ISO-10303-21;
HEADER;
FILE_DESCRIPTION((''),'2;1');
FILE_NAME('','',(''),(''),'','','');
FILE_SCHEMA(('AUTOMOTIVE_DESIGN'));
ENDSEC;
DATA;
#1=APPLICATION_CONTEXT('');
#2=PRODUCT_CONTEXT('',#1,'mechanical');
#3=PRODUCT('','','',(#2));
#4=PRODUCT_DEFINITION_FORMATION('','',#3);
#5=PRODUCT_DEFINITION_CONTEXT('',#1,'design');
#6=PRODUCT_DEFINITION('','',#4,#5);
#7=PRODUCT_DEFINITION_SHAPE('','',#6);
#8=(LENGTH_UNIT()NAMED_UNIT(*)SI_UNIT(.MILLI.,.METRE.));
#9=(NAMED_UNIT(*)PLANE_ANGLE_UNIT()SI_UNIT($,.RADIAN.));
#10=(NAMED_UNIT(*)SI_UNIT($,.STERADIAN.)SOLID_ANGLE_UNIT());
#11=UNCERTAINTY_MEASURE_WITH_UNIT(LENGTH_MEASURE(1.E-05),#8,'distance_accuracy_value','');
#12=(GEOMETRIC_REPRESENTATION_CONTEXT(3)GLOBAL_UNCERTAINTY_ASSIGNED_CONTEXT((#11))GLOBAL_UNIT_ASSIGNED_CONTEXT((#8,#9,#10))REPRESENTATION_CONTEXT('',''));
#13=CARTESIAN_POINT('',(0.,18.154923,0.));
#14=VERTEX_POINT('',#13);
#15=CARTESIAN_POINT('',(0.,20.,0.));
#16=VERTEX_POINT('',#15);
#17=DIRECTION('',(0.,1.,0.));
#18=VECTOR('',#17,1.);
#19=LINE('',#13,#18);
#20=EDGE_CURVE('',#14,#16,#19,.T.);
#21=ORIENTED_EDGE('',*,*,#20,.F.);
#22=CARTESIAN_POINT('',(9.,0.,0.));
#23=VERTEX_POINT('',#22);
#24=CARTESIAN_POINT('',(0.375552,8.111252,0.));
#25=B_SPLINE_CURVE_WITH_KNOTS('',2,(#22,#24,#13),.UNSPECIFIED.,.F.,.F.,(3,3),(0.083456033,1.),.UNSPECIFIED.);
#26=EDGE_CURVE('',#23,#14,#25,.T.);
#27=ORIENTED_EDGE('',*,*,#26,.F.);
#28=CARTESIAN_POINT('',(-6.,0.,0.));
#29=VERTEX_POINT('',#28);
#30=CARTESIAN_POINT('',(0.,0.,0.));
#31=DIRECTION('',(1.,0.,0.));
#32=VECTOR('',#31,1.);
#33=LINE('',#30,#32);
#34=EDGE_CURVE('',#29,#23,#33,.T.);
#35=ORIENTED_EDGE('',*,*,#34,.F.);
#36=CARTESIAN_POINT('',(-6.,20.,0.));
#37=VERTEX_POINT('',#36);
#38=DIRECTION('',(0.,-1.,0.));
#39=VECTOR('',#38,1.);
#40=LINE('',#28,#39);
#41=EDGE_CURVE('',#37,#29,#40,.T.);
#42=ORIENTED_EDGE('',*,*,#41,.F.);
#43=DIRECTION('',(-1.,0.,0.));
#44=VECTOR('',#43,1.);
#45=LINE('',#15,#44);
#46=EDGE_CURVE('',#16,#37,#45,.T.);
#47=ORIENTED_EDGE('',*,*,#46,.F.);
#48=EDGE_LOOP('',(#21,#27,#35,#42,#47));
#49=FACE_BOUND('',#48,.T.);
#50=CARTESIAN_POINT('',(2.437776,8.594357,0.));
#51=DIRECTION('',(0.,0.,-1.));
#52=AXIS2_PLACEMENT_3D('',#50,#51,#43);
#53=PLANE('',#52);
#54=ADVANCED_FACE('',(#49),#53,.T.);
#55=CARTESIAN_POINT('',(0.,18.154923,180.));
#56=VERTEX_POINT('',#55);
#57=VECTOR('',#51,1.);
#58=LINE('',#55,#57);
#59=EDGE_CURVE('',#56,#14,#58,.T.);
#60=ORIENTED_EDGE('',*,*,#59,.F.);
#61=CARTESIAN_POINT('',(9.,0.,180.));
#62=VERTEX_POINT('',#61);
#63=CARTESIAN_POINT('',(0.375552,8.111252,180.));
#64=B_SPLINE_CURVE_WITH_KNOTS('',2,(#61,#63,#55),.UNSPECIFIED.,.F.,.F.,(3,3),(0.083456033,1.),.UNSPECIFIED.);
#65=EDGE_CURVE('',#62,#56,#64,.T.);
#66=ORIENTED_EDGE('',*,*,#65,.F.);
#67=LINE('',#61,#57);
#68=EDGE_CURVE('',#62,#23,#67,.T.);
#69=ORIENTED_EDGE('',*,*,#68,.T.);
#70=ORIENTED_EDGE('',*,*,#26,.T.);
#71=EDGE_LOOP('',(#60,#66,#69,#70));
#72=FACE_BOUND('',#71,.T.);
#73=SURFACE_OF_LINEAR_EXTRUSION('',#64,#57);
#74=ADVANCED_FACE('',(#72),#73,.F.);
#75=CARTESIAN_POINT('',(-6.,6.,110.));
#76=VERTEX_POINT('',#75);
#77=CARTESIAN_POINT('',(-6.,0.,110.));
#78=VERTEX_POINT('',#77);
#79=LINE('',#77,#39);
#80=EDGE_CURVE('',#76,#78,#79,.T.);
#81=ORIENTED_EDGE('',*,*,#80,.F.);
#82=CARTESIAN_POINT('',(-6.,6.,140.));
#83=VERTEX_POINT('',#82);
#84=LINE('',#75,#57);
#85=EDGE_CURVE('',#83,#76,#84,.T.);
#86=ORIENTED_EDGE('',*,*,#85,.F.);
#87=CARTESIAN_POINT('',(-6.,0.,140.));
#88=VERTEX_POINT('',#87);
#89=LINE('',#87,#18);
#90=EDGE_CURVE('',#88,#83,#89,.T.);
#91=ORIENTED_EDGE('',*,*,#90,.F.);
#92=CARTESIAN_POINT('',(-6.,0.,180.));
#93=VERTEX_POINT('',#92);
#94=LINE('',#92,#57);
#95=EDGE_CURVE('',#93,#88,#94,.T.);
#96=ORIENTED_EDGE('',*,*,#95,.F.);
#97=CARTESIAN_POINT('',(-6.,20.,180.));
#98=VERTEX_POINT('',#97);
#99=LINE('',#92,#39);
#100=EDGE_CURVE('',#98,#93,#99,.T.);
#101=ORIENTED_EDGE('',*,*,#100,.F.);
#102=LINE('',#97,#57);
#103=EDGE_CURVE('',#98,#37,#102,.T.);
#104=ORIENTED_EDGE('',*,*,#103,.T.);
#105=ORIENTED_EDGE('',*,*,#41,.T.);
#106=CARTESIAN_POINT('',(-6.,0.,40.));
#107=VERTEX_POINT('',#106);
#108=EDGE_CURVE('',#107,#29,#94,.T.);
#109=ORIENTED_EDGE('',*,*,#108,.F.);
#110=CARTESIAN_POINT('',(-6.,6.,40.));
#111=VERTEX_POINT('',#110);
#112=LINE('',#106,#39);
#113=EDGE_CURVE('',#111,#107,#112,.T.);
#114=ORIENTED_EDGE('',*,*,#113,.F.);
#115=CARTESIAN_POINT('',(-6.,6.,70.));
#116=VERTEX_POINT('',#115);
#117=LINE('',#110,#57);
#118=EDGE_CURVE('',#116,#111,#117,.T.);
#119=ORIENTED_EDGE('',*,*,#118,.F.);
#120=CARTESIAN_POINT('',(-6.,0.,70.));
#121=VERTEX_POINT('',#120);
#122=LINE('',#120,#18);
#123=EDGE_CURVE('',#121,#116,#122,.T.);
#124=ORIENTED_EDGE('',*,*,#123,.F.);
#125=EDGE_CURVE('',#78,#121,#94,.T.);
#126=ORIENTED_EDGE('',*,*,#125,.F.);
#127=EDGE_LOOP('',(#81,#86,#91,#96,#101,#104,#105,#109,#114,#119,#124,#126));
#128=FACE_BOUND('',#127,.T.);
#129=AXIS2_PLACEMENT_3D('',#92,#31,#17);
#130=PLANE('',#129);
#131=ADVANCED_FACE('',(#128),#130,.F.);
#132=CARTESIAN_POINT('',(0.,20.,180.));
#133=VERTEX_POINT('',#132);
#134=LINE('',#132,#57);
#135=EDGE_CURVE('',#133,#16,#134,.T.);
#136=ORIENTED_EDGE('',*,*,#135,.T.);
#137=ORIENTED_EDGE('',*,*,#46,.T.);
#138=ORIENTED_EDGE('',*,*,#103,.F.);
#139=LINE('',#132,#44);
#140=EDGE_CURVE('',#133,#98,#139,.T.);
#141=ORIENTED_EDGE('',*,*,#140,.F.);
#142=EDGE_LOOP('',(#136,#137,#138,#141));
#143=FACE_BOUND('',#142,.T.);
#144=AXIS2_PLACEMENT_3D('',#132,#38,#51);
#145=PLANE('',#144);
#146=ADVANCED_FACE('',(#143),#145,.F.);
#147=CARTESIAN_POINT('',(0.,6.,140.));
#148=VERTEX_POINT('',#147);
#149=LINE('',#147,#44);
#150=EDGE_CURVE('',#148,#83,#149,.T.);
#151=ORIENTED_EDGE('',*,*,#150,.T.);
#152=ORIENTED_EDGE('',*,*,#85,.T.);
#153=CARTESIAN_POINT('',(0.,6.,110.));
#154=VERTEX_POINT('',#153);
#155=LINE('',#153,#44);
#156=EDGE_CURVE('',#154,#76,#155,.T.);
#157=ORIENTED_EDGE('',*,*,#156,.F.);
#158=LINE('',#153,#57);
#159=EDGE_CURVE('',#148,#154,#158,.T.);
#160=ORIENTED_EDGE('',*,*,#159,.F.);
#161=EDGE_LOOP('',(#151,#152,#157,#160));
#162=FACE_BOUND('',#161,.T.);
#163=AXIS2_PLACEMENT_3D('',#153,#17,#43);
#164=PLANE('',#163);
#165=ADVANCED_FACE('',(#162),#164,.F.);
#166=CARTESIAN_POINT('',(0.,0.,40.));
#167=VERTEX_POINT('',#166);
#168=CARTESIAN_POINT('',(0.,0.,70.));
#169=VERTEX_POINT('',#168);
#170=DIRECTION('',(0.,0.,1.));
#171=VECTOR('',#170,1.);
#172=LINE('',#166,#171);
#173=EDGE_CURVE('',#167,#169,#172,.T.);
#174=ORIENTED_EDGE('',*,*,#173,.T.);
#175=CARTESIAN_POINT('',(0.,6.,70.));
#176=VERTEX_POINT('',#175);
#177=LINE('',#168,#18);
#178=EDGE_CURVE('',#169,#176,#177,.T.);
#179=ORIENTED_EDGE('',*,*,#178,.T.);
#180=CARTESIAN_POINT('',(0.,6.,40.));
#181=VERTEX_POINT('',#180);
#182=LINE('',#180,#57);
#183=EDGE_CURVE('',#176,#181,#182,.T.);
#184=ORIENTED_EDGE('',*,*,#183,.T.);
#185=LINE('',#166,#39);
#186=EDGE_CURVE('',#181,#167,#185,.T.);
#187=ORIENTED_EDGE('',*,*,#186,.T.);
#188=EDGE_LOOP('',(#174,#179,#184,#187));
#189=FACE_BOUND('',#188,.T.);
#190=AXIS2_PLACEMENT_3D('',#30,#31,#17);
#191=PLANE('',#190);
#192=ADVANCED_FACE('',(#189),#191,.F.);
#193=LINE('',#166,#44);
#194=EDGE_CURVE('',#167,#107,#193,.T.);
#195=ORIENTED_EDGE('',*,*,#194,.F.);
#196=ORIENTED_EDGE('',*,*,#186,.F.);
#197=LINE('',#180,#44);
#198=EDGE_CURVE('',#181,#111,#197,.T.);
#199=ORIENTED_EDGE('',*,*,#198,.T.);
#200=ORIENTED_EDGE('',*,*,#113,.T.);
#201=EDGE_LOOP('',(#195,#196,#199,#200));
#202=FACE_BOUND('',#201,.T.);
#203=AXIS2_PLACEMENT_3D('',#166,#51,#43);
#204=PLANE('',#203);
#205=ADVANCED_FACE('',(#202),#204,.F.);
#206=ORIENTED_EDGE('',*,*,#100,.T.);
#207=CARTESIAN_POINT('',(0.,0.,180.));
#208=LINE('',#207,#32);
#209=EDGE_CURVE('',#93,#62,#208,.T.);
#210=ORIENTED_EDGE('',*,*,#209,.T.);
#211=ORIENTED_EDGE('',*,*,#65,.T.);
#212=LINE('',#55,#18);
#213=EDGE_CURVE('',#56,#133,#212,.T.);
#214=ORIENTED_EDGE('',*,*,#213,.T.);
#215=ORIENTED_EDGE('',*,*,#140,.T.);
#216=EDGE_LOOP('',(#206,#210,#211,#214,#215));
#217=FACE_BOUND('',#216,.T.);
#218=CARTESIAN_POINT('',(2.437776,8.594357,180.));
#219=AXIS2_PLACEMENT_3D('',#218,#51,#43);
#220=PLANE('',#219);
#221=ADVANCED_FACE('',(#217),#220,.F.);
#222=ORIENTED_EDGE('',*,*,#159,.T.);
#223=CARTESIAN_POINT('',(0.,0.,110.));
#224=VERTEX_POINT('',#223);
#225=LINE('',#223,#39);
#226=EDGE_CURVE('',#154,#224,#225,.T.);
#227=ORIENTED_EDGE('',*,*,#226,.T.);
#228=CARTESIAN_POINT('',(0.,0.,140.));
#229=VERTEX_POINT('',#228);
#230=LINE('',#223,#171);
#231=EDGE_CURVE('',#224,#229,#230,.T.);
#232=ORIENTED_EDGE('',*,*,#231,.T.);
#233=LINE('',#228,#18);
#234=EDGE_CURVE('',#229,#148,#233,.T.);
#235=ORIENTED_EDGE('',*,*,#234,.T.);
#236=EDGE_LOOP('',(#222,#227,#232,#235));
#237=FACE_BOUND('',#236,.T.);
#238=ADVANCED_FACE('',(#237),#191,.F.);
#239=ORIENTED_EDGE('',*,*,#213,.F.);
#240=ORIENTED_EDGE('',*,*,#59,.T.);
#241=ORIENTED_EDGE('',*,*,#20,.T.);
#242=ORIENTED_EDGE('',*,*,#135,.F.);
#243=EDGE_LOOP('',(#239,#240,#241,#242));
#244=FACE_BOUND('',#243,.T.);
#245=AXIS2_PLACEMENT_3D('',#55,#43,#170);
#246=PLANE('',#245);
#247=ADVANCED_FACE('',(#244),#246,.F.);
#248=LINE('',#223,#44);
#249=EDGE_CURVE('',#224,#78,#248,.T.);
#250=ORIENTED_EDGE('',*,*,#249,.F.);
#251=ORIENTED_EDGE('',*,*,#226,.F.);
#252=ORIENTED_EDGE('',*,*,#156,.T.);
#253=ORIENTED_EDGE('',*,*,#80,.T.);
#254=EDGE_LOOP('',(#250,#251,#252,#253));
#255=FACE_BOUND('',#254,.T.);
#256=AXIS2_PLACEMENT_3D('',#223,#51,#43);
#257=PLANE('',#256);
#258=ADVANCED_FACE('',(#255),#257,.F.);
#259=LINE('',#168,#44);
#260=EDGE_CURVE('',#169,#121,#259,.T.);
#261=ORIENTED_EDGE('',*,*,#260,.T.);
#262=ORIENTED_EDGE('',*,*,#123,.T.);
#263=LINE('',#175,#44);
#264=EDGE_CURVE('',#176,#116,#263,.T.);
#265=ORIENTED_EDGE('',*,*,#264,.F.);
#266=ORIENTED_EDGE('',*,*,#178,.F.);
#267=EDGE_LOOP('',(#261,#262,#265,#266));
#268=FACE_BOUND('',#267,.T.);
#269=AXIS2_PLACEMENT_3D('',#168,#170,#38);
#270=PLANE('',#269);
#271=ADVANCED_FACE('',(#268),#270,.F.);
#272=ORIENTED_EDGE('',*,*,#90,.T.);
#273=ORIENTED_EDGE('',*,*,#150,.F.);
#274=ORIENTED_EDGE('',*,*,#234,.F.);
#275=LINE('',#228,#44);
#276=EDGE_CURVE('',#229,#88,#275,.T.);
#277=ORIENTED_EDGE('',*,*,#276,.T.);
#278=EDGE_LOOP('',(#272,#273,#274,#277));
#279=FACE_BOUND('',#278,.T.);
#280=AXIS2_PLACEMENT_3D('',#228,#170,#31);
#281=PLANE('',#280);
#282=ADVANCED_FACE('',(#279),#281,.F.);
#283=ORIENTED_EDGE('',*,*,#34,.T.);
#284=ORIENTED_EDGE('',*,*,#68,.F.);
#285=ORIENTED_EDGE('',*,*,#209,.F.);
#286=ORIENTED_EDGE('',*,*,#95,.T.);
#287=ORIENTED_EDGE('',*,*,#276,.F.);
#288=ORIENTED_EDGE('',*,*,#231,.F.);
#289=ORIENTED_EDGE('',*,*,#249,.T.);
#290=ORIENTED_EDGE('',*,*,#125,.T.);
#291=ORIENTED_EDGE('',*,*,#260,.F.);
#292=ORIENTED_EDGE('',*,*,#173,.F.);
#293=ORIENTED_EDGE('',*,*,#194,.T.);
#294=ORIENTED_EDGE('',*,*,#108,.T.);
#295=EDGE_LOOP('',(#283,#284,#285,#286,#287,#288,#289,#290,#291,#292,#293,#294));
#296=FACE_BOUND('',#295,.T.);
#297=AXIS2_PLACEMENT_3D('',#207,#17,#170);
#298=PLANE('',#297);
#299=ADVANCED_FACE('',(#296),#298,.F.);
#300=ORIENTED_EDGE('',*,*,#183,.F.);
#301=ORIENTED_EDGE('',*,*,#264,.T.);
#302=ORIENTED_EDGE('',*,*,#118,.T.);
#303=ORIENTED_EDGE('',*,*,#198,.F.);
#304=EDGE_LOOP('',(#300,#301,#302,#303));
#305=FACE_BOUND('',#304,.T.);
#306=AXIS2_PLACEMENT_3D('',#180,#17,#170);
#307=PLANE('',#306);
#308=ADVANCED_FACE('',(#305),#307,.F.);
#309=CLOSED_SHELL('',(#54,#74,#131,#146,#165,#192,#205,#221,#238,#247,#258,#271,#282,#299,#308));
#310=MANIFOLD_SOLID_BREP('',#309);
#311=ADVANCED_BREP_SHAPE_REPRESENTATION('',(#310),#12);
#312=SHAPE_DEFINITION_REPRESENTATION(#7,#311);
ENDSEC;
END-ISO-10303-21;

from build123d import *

# Parameters (mm, degrees)
BOSS_EXTRU_1_DEPTH      = 180
ESQUISSE2_W             = 30
ESQUISSE2_H             = 6
ENL_V_MAT_EXTRU_1_DEPTH = 6


with BuildPart() as part:
    # Esquisse1 → Boss.-Extru.1 (new body)
    with BuildSketch(Plane.XY):
        with BuildLine():
            Line((0, 0), (9, 0))
            add(Edge.make_bspline(
                [(0, 18.154922759), (0.375552148, 8.111252363), (9, 0)],
                knots=[0.083456033, 0.083456033, 0.083456033, 1, 1, 1], degree=2))
            Line((0, 18.154922759), (0, 20))
            Line((0, 20), (-6, 20))
            Line((-6, 20), (-6, 0))
            Line((-6, 0), (0, 0))
        make_face()
    extrude(amount=BOSS_EXTRU_1_DEPTH)

    # Esquisse2 → Enlèv. mat.-Extru.1 (cut)
    with BuildSketch(Plane.ZY.offset(6)):
        with Locations((55, 3)):
            Rectangle(ESQUISSE2_W, ESQUISSE2_H)
        with Locations((125, 3)):
            Rectangle(ESQUISSE2_W, ESQUISSE2_H)
    extrude(amount=-ENL_V_MAT_EXTRU_1_DEPTH, mode=Mode.SUBTRACT)


solid = part.part
